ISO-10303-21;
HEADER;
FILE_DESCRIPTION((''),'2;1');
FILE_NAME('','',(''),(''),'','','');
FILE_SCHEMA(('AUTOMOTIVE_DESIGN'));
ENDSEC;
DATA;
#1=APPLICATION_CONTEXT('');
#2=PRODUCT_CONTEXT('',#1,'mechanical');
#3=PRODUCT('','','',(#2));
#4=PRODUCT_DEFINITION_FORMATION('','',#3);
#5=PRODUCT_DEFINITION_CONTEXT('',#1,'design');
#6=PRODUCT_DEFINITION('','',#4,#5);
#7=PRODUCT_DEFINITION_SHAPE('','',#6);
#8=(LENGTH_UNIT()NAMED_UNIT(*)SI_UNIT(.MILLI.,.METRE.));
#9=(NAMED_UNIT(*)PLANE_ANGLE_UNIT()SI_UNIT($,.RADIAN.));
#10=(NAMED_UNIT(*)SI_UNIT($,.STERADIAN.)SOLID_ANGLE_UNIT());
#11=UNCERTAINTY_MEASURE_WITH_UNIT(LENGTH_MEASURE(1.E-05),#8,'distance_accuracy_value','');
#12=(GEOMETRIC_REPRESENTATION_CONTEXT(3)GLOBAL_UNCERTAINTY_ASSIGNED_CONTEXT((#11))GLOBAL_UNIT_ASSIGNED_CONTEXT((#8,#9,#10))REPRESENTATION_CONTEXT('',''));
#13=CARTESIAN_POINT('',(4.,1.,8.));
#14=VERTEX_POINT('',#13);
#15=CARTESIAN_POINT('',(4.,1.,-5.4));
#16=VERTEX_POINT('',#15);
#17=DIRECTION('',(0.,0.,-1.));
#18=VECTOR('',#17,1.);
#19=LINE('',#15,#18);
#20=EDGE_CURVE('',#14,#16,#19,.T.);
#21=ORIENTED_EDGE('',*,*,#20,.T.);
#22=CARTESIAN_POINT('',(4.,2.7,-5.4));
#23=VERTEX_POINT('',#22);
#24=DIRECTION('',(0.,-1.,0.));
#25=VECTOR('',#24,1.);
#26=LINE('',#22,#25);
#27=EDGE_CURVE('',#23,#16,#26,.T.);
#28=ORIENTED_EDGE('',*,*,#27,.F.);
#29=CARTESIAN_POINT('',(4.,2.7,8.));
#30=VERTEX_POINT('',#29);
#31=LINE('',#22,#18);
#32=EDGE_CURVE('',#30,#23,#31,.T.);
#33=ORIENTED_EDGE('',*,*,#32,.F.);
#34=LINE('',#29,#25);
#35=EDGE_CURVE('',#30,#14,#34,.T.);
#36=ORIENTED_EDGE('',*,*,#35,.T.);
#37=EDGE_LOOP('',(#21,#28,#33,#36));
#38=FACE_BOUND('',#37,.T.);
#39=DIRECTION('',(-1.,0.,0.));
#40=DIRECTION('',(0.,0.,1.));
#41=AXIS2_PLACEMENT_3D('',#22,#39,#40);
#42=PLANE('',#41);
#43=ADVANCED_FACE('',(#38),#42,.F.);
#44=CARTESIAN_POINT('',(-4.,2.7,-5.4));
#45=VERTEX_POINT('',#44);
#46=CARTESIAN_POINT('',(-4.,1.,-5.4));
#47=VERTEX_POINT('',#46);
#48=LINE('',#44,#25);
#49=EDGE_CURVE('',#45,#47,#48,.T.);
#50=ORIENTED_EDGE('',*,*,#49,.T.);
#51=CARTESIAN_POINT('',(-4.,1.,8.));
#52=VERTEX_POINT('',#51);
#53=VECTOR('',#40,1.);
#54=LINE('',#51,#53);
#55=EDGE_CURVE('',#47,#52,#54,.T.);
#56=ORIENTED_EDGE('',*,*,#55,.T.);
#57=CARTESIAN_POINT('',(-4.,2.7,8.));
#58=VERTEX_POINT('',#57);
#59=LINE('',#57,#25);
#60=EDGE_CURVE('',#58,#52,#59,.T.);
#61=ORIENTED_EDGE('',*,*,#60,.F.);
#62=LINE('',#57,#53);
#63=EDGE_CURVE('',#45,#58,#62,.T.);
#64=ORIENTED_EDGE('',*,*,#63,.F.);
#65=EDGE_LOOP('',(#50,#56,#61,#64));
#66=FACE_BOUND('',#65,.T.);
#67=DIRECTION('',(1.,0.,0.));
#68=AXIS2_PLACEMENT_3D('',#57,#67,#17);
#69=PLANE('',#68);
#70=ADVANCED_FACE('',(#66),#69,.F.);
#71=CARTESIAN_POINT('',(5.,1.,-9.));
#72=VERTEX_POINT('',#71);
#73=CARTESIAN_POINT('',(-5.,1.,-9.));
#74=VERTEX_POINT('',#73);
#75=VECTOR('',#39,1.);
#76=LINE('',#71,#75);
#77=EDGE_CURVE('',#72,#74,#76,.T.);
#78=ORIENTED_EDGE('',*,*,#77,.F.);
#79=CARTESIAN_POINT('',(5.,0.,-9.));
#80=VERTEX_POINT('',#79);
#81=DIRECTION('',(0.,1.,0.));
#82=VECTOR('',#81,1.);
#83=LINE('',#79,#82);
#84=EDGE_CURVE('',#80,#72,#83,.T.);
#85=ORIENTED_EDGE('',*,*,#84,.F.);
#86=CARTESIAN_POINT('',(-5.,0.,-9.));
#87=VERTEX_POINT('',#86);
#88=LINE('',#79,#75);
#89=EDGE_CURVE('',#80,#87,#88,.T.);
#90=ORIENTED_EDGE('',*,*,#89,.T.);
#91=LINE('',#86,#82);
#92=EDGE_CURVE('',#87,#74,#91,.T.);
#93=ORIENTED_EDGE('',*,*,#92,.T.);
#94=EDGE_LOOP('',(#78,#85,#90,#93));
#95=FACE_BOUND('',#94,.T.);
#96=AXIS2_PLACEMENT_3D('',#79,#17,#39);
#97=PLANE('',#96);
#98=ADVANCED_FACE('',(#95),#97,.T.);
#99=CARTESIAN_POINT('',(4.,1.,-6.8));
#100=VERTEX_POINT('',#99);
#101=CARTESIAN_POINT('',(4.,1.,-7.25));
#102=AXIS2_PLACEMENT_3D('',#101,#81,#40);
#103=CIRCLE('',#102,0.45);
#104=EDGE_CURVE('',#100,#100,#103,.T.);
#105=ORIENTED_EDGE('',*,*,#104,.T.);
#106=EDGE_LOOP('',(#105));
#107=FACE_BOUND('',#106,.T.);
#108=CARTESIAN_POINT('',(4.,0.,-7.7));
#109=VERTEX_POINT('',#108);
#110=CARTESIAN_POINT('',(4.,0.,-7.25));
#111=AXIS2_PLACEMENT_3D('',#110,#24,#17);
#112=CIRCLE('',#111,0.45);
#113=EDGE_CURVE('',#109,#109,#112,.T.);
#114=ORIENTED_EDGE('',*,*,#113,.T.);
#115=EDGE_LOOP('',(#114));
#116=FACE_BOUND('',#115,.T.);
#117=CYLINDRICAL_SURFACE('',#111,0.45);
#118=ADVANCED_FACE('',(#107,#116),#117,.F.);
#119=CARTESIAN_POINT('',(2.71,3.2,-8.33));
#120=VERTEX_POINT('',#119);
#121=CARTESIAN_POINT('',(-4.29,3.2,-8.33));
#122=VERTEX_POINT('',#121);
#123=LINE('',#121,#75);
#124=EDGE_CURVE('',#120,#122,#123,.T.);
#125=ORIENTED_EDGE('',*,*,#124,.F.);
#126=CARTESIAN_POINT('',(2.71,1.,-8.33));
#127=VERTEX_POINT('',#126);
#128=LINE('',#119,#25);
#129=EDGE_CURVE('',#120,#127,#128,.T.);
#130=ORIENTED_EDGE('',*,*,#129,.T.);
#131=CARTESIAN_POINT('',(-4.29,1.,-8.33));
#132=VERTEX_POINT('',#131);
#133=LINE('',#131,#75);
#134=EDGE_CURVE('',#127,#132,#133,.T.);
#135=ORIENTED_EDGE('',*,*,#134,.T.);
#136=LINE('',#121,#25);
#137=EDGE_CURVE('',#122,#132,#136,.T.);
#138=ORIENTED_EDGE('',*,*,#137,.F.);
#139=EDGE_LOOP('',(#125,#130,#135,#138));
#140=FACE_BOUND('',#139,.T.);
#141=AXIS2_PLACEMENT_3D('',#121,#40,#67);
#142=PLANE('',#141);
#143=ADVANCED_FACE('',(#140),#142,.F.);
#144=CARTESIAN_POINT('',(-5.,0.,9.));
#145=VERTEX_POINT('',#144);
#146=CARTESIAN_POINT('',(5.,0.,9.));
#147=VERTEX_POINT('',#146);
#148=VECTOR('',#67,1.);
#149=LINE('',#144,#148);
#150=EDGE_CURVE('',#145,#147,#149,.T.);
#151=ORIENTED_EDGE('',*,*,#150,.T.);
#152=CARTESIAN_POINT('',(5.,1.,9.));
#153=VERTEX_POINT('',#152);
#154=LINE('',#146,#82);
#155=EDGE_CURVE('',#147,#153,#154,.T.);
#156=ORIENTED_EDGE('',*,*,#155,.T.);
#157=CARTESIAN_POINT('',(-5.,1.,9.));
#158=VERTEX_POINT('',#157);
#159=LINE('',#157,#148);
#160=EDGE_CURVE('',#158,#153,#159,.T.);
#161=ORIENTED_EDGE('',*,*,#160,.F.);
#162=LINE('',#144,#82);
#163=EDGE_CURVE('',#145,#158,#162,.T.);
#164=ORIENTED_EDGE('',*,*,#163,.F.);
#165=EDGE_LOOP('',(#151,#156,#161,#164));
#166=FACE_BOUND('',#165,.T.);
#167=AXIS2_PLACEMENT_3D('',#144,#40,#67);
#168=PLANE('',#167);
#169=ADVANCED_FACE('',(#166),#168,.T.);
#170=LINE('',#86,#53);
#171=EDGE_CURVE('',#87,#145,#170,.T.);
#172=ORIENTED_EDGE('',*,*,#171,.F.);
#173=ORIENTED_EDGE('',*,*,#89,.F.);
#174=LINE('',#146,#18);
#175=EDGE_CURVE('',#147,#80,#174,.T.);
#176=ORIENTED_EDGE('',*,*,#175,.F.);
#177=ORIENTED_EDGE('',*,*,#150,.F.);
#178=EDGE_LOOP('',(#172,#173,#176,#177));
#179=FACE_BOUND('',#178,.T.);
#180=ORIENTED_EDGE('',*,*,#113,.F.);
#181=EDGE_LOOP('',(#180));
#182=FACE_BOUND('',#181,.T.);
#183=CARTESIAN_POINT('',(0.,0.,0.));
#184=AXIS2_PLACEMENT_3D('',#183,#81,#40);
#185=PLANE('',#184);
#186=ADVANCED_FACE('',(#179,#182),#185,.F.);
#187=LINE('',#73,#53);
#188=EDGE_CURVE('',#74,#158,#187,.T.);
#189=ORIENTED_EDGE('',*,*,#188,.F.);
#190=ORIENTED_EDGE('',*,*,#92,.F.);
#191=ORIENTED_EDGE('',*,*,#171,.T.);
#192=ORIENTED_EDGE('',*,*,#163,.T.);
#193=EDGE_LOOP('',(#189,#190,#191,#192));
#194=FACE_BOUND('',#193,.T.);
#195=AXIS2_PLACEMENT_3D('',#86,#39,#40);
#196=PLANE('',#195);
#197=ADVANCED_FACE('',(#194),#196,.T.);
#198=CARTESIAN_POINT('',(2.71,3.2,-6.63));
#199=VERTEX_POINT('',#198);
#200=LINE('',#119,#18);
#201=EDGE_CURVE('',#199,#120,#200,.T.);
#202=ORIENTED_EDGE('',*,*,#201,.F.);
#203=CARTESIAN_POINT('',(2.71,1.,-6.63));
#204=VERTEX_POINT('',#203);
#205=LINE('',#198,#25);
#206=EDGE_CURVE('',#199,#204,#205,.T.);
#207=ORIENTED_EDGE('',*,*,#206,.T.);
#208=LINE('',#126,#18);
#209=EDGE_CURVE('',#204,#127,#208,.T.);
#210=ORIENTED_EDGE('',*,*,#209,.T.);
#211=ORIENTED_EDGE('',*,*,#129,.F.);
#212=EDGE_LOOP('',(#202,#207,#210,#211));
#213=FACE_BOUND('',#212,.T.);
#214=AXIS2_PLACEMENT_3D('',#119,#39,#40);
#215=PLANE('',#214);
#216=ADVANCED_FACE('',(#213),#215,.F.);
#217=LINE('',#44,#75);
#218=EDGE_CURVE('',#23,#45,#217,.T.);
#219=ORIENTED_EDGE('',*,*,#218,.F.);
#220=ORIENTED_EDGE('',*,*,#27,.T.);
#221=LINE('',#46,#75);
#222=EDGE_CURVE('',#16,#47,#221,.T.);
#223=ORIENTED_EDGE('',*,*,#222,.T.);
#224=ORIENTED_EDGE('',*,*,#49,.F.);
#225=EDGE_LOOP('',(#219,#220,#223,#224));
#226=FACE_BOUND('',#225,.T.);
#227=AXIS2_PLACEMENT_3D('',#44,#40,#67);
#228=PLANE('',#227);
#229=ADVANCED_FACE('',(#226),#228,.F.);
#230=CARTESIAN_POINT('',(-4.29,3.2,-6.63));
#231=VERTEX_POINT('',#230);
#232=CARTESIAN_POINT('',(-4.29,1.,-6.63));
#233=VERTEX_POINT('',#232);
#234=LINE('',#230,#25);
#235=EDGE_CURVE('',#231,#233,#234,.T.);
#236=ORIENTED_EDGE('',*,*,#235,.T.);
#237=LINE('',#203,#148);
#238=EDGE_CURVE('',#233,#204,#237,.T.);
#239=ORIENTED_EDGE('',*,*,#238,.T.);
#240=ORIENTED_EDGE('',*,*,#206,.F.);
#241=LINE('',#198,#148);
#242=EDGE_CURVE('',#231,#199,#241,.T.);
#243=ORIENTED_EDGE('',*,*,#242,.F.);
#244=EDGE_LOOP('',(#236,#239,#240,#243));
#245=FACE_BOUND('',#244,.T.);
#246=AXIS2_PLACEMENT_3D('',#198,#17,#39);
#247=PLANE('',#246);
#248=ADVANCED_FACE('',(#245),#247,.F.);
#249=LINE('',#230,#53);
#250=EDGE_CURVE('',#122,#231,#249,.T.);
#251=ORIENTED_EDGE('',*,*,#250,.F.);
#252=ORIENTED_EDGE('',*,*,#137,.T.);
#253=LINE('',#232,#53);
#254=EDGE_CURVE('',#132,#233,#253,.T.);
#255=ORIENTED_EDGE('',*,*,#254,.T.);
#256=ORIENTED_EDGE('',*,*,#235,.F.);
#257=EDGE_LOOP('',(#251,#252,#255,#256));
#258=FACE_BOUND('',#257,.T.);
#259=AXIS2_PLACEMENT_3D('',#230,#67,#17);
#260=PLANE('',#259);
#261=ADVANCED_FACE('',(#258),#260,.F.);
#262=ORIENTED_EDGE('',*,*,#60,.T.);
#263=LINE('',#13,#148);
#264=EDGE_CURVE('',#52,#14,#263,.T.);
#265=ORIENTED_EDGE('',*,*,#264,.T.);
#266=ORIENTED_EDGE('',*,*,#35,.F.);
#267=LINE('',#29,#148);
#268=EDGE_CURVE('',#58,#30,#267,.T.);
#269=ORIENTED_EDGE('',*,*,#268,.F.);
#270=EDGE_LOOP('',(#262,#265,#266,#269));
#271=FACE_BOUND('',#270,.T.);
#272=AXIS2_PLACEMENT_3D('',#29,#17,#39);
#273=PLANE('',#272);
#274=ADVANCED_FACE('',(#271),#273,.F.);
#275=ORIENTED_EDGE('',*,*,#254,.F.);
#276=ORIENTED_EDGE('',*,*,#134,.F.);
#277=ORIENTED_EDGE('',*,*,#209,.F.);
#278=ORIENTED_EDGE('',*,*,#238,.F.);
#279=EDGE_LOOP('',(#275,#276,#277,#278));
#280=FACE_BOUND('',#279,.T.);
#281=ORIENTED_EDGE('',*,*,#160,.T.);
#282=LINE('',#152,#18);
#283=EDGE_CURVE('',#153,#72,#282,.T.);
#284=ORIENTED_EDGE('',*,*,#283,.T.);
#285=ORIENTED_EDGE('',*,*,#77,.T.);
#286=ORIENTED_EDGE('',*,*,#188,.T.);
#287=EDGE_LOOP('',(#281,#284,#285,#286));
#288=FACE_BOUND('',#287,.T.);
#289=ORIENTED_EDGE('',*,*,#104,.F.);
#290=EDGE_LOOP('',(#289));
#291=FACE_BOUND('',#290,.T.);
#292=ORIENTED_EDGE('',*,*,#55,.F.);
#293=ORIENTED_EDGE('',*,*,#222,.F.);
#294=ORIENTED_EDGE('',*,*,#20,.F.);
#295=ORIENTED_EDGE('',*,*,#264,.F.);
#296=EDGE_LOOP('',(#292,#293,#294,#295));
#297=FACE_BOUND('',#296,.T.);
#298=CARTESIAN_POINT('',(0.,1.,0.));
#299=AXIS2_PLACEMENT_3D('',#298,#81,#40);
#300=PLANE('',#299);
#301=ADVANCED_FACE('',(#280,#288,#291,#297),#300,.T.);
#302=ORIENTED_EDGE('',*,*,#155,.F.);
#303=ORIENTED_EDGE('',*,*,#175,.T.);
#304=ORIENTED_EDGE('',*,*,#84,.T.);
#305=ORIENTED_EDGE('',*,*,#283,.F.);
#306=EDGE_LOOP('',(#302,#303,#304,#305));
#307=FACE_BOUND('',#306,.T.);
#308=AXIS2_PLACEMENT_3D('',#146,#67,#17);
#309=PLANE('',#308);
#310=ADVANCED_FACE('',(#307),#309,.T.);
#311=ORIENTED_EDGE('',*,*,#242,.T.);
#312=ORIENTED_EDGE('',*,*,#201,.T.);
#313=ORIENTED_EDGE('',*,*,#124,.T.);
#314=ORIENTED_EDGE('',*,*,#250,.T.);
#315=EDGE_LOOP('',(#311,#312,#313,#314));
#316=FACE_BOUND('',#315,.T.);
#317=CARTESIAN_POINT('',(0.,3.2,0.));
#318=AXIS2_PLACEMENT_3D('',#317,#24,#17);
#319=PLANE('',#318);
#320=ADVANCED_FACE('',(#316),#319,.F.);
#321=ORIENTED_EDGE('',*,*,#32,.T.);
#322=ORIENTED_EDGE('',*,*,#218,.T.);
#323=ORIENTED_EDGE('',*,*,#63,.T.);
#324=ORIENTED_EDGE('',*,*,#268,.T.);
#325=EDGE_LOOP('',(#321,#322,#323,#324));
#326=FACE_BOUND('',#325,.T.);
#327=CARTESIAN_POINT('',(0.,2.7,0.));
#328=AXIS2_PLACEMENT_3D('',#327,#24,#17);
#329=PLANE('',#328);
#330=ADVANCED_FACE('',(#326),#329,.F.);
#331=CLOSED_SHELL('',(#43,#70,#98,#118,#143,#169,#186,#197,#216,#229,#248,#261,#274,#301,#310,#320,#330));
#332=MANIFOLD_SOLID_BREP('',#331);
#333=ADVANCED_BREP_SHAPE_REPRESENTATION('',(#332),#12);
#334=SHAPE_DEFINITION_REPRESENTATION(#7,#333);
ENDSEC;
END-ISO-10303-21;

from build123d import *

# Parameters (mm, degrees)
ESQUISSE1_W                         = 10
ESQUISSE1_H                         = 18
BOSS_EXTRU_1_DEPTH                  = 1
ESQUISSE2_W                         = 8
ESQUISSE2_H                         = 13.4
BOSS_EXTRU_2_DEPTH                  = 1.7
ESQUISSE3_W                         = 7
ESQUISSE3_H                         = 1.7
BOSS_EXTRU_3_DEPTH                  = 2.2
DIAM_TRE_DU_PER_AGE_0_9_0_9_1_D     = 0.9
DIAM_TRE_DU_PER_AGE_0_9_0_9_1_DEPTH = 3.2


with BuildPart() as part:
    # Esquisse1 → Boss.-Extru.1 (new body)
    with BuildSketch(Plane(origin=(0, 1, 0), x_dir=(1, 0, 0), z_dir=(0, 1, 0))):
        Rectangle(ESQUISSE1_W, ESQUISSE1_H)
    extrude(amount=-BOSS_EXTRU_1_DEPTH)

    # Esquisse2 → Boss.-Extru.2 (add)
    with BuildSketch(Plane(origin=(0, 1, 0), x_dir=(-1, 0, 0), z_dir=(0, 1, 0))):
        with Locations((0, 1.3)):
            Rectangle(ESQUISSE2_W, ESQUISSE2_H)
    extrude(amount=BOSS_EXTRU_2_DEPTH)

    # Esquisse3 → Boss.-Extru.3 (add)
    with BuildSketch(Plane(origin=(0, 1, 0), x_dir=(-1, 0, 0), z_dir=(0, 1, 0))):
        with Locations((0.79, -7.48)):
            Rectangle(ESQUISSE3_W, ESQUISSE3_H)
    extrude(amount=BOSS_EXTRU_3_DEPTH)

    # Diamètre du perçage Ø0.9 (0.9)1
    with Locations(Plane(origin=(0, 0, 0), x_dir=(-1, 0, 0), z_dir=(0, -1, 0))):
        with Locations((-4, 7.25)):
            Hole(DIAM_TRE_DU_PER_AGE_0_9_0_9_1_D / 2, depth=DIAM_TRE_DU_PER_AGE_0_9_0_9_1_DEPTH)


solid = part.part
